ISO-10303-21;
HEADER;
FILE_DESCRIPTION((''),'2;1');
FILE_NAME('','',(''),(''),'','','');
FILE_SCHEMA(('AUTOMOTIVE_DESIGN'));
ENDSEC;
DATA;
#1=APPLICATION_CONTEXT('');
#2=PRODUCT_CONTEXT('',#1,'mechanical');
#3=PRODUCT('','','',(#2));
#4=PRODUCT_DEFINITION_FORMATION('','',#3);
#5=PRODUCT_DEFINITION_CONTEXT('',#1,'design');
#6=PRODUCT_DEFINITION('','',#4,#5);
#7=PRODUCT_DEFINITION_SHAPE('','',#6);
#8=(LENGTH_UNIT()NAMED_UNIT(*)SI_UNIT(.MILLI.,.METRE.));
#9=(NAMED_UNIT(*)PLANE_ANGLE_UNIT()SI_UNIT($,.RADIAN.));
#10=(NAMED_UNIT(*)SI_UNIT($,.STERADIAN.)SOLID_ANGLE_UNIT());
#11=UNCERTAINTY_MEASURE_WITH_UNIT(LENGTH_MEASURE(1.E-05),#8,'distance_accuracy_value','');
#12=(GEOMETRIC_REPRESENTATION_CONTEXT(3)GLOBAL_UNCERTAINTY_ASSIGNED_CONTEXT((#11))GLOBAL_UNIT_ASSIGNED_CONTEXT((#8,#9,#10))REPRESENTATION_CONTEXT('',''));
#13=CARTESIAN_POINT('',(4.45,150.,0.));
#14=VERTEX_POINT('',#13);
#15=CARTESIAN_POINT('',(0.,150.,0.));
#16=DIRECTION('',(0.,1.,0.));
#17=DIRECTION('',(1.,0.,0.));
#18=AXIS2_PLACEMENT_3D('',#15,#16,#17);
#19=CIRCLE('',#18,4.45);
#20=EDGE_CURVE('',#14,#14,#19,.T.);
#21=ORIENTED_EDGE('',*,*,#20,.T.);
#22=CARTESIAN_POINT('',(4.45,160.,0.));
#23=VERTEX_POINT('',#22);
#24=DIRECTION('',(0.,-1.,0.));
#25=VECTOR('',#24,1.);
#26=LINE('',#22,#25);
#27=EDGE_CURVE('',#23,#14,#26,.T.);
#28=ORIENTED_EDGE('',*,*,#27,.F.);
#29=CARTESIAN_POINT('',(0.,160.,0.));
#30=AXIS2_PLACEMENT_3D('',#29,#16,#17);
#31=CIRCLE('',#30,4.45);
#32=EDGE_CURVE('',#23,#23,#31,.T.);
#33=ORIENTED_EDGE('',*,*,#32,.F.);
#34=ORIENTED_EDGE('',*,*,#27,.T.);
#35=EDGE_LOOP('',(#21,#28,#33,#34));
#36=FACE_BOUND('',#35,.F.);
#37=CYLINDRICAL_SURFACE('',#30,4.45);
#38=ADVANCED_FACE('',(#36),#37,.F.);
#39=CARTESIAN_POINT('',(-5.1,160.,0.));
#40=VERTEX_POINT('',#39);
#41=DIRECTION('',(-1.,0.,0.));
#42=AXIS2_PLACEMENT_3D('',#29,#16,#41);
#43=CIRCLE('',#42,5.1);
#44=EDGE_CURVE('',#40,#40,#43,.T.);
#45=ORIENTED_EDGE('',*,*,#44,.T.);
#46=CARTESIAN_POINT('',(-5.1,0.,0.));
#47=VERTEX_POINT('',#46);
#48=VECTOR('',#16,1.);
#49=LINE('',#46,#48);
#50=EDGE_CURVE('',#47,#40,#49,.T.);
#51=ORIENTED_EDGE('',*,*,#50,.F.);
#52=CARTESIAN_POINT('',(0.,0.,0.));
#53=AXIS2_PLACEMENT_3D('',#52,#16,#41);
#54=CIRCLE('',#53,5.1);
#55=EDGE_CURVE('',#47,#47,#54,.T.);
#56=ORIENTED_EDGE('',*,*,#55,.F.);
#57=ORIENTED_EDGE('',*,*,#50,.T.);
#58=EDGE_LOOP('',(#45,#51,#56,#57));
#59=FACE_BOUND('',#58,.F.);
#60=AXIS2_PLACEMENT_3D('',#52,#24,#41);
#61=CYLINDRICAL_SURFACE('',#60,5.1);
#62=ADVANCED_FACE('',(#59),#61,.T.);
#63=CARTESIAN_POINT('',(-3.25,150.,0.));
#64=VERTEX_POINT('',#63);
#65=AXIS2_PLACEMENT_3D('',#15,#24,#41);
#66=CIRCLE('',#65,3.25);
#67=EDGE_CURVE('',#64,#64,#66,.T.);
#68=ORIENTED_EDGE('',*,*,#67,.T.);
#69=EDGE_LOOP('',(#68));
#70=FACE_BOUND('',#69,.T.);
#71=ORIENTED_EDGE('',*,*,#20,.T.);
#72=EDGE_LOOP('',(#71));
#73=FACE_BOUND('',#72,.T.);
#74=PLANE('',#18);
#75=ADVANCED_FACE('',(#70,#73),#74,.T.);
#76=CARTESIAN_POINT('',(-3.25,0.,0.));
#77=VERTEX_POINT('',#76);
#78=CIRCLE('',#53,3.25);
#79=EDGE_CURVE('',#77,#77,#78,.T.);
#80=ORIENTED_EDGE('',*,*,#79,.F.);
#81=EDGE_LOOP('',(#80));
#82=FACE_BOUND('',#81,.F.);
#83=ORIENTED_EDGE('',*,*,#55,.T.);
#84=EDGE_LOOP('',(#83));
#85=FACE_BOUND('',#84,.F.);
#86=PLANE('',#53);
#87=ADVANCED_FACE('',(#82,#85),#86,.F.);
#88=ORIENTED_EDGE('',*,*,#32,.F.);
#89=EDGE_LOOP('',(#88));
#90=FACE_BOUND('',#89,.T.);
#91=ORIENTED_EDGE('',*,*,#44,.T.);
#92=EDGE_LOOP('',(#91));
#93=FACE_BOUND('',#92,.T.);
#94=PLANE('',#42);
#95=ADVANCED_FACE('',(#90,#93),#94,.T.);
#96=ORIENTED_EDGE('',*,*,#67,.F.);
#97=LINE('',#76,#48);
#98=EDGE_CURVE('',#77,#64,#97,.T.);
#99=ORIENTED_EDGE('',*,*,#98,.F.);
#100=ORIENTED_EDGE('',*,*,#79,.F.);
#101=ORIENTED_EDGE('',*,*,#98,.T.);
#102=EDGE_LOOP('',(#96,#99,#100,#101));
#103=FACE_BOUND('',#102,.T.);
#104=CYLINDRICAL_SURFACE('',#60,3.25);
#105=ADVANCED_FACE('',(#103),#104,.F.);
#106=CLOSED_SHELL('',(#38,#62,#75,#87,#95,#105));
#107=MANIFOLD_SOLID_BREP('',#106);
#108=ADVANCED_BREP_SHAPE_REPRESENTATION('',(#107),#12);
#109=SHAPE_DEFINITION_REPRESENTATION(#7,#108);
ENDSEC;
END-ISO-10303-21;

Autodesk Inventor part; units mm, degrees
ref_plane "YZ Plane" through (0, 0, 0) normal (1, 0, 0) x (0, 1, 0)
ref_plane "XZ Plane" through (0, 0, 0) normal (0, 1, 0) x (-1, 0, 0)
ref_plane "XY Plane" through (0, 0, 0) normal (0, 0, 1) x (1, 0, 0)
sketch "Sketch1" plane through (0, 0, 0) normal (0, 1, 0) x (-1, 0, 0)
  circle A0 centre (0, 0) radius 3.25
  circle A1 centre (0, 0) radius 5.1
  dimension "d0" = 10.2
  dimension "d1" = 6.5
extrude "Extrusion1" add sketch "Sketch1" along normal blind 160
sketch "Sketch2" plane through (0, 160, 0) normal (0, 1, 0) x (1, 0, 0)
  circle A0 centre (0, 0) radius 5.1 projected
  circle A1 centre (0, 0) radius 4.45
  dimension "d4" = 0.65
extrude "Extrusion2" cut sketch "Sketch2" against normal blind 10 contours A1
equation "\"d0\" = post_diameter"
equation "\"d1\" = rod_diameter + rod_free_tolerance"
equation "\"d2\" = post_height"
equation "\"d4\" = post_wall_diameter"
equation "\"d5\" = cradle_holder_peg_depth"
equation "\"post_diameter\" = 10.2"
equation "\"rod_diameter\" = 6"
equation "\"rod_free_tolerance\" = 0.5"
equation "\"post_height\" = 160"
equation "\"cradle_holder_peg_depth\" = 10"
equation "\"post_wall_diameter\" = 0.65"
properties part number "cradle_post"
